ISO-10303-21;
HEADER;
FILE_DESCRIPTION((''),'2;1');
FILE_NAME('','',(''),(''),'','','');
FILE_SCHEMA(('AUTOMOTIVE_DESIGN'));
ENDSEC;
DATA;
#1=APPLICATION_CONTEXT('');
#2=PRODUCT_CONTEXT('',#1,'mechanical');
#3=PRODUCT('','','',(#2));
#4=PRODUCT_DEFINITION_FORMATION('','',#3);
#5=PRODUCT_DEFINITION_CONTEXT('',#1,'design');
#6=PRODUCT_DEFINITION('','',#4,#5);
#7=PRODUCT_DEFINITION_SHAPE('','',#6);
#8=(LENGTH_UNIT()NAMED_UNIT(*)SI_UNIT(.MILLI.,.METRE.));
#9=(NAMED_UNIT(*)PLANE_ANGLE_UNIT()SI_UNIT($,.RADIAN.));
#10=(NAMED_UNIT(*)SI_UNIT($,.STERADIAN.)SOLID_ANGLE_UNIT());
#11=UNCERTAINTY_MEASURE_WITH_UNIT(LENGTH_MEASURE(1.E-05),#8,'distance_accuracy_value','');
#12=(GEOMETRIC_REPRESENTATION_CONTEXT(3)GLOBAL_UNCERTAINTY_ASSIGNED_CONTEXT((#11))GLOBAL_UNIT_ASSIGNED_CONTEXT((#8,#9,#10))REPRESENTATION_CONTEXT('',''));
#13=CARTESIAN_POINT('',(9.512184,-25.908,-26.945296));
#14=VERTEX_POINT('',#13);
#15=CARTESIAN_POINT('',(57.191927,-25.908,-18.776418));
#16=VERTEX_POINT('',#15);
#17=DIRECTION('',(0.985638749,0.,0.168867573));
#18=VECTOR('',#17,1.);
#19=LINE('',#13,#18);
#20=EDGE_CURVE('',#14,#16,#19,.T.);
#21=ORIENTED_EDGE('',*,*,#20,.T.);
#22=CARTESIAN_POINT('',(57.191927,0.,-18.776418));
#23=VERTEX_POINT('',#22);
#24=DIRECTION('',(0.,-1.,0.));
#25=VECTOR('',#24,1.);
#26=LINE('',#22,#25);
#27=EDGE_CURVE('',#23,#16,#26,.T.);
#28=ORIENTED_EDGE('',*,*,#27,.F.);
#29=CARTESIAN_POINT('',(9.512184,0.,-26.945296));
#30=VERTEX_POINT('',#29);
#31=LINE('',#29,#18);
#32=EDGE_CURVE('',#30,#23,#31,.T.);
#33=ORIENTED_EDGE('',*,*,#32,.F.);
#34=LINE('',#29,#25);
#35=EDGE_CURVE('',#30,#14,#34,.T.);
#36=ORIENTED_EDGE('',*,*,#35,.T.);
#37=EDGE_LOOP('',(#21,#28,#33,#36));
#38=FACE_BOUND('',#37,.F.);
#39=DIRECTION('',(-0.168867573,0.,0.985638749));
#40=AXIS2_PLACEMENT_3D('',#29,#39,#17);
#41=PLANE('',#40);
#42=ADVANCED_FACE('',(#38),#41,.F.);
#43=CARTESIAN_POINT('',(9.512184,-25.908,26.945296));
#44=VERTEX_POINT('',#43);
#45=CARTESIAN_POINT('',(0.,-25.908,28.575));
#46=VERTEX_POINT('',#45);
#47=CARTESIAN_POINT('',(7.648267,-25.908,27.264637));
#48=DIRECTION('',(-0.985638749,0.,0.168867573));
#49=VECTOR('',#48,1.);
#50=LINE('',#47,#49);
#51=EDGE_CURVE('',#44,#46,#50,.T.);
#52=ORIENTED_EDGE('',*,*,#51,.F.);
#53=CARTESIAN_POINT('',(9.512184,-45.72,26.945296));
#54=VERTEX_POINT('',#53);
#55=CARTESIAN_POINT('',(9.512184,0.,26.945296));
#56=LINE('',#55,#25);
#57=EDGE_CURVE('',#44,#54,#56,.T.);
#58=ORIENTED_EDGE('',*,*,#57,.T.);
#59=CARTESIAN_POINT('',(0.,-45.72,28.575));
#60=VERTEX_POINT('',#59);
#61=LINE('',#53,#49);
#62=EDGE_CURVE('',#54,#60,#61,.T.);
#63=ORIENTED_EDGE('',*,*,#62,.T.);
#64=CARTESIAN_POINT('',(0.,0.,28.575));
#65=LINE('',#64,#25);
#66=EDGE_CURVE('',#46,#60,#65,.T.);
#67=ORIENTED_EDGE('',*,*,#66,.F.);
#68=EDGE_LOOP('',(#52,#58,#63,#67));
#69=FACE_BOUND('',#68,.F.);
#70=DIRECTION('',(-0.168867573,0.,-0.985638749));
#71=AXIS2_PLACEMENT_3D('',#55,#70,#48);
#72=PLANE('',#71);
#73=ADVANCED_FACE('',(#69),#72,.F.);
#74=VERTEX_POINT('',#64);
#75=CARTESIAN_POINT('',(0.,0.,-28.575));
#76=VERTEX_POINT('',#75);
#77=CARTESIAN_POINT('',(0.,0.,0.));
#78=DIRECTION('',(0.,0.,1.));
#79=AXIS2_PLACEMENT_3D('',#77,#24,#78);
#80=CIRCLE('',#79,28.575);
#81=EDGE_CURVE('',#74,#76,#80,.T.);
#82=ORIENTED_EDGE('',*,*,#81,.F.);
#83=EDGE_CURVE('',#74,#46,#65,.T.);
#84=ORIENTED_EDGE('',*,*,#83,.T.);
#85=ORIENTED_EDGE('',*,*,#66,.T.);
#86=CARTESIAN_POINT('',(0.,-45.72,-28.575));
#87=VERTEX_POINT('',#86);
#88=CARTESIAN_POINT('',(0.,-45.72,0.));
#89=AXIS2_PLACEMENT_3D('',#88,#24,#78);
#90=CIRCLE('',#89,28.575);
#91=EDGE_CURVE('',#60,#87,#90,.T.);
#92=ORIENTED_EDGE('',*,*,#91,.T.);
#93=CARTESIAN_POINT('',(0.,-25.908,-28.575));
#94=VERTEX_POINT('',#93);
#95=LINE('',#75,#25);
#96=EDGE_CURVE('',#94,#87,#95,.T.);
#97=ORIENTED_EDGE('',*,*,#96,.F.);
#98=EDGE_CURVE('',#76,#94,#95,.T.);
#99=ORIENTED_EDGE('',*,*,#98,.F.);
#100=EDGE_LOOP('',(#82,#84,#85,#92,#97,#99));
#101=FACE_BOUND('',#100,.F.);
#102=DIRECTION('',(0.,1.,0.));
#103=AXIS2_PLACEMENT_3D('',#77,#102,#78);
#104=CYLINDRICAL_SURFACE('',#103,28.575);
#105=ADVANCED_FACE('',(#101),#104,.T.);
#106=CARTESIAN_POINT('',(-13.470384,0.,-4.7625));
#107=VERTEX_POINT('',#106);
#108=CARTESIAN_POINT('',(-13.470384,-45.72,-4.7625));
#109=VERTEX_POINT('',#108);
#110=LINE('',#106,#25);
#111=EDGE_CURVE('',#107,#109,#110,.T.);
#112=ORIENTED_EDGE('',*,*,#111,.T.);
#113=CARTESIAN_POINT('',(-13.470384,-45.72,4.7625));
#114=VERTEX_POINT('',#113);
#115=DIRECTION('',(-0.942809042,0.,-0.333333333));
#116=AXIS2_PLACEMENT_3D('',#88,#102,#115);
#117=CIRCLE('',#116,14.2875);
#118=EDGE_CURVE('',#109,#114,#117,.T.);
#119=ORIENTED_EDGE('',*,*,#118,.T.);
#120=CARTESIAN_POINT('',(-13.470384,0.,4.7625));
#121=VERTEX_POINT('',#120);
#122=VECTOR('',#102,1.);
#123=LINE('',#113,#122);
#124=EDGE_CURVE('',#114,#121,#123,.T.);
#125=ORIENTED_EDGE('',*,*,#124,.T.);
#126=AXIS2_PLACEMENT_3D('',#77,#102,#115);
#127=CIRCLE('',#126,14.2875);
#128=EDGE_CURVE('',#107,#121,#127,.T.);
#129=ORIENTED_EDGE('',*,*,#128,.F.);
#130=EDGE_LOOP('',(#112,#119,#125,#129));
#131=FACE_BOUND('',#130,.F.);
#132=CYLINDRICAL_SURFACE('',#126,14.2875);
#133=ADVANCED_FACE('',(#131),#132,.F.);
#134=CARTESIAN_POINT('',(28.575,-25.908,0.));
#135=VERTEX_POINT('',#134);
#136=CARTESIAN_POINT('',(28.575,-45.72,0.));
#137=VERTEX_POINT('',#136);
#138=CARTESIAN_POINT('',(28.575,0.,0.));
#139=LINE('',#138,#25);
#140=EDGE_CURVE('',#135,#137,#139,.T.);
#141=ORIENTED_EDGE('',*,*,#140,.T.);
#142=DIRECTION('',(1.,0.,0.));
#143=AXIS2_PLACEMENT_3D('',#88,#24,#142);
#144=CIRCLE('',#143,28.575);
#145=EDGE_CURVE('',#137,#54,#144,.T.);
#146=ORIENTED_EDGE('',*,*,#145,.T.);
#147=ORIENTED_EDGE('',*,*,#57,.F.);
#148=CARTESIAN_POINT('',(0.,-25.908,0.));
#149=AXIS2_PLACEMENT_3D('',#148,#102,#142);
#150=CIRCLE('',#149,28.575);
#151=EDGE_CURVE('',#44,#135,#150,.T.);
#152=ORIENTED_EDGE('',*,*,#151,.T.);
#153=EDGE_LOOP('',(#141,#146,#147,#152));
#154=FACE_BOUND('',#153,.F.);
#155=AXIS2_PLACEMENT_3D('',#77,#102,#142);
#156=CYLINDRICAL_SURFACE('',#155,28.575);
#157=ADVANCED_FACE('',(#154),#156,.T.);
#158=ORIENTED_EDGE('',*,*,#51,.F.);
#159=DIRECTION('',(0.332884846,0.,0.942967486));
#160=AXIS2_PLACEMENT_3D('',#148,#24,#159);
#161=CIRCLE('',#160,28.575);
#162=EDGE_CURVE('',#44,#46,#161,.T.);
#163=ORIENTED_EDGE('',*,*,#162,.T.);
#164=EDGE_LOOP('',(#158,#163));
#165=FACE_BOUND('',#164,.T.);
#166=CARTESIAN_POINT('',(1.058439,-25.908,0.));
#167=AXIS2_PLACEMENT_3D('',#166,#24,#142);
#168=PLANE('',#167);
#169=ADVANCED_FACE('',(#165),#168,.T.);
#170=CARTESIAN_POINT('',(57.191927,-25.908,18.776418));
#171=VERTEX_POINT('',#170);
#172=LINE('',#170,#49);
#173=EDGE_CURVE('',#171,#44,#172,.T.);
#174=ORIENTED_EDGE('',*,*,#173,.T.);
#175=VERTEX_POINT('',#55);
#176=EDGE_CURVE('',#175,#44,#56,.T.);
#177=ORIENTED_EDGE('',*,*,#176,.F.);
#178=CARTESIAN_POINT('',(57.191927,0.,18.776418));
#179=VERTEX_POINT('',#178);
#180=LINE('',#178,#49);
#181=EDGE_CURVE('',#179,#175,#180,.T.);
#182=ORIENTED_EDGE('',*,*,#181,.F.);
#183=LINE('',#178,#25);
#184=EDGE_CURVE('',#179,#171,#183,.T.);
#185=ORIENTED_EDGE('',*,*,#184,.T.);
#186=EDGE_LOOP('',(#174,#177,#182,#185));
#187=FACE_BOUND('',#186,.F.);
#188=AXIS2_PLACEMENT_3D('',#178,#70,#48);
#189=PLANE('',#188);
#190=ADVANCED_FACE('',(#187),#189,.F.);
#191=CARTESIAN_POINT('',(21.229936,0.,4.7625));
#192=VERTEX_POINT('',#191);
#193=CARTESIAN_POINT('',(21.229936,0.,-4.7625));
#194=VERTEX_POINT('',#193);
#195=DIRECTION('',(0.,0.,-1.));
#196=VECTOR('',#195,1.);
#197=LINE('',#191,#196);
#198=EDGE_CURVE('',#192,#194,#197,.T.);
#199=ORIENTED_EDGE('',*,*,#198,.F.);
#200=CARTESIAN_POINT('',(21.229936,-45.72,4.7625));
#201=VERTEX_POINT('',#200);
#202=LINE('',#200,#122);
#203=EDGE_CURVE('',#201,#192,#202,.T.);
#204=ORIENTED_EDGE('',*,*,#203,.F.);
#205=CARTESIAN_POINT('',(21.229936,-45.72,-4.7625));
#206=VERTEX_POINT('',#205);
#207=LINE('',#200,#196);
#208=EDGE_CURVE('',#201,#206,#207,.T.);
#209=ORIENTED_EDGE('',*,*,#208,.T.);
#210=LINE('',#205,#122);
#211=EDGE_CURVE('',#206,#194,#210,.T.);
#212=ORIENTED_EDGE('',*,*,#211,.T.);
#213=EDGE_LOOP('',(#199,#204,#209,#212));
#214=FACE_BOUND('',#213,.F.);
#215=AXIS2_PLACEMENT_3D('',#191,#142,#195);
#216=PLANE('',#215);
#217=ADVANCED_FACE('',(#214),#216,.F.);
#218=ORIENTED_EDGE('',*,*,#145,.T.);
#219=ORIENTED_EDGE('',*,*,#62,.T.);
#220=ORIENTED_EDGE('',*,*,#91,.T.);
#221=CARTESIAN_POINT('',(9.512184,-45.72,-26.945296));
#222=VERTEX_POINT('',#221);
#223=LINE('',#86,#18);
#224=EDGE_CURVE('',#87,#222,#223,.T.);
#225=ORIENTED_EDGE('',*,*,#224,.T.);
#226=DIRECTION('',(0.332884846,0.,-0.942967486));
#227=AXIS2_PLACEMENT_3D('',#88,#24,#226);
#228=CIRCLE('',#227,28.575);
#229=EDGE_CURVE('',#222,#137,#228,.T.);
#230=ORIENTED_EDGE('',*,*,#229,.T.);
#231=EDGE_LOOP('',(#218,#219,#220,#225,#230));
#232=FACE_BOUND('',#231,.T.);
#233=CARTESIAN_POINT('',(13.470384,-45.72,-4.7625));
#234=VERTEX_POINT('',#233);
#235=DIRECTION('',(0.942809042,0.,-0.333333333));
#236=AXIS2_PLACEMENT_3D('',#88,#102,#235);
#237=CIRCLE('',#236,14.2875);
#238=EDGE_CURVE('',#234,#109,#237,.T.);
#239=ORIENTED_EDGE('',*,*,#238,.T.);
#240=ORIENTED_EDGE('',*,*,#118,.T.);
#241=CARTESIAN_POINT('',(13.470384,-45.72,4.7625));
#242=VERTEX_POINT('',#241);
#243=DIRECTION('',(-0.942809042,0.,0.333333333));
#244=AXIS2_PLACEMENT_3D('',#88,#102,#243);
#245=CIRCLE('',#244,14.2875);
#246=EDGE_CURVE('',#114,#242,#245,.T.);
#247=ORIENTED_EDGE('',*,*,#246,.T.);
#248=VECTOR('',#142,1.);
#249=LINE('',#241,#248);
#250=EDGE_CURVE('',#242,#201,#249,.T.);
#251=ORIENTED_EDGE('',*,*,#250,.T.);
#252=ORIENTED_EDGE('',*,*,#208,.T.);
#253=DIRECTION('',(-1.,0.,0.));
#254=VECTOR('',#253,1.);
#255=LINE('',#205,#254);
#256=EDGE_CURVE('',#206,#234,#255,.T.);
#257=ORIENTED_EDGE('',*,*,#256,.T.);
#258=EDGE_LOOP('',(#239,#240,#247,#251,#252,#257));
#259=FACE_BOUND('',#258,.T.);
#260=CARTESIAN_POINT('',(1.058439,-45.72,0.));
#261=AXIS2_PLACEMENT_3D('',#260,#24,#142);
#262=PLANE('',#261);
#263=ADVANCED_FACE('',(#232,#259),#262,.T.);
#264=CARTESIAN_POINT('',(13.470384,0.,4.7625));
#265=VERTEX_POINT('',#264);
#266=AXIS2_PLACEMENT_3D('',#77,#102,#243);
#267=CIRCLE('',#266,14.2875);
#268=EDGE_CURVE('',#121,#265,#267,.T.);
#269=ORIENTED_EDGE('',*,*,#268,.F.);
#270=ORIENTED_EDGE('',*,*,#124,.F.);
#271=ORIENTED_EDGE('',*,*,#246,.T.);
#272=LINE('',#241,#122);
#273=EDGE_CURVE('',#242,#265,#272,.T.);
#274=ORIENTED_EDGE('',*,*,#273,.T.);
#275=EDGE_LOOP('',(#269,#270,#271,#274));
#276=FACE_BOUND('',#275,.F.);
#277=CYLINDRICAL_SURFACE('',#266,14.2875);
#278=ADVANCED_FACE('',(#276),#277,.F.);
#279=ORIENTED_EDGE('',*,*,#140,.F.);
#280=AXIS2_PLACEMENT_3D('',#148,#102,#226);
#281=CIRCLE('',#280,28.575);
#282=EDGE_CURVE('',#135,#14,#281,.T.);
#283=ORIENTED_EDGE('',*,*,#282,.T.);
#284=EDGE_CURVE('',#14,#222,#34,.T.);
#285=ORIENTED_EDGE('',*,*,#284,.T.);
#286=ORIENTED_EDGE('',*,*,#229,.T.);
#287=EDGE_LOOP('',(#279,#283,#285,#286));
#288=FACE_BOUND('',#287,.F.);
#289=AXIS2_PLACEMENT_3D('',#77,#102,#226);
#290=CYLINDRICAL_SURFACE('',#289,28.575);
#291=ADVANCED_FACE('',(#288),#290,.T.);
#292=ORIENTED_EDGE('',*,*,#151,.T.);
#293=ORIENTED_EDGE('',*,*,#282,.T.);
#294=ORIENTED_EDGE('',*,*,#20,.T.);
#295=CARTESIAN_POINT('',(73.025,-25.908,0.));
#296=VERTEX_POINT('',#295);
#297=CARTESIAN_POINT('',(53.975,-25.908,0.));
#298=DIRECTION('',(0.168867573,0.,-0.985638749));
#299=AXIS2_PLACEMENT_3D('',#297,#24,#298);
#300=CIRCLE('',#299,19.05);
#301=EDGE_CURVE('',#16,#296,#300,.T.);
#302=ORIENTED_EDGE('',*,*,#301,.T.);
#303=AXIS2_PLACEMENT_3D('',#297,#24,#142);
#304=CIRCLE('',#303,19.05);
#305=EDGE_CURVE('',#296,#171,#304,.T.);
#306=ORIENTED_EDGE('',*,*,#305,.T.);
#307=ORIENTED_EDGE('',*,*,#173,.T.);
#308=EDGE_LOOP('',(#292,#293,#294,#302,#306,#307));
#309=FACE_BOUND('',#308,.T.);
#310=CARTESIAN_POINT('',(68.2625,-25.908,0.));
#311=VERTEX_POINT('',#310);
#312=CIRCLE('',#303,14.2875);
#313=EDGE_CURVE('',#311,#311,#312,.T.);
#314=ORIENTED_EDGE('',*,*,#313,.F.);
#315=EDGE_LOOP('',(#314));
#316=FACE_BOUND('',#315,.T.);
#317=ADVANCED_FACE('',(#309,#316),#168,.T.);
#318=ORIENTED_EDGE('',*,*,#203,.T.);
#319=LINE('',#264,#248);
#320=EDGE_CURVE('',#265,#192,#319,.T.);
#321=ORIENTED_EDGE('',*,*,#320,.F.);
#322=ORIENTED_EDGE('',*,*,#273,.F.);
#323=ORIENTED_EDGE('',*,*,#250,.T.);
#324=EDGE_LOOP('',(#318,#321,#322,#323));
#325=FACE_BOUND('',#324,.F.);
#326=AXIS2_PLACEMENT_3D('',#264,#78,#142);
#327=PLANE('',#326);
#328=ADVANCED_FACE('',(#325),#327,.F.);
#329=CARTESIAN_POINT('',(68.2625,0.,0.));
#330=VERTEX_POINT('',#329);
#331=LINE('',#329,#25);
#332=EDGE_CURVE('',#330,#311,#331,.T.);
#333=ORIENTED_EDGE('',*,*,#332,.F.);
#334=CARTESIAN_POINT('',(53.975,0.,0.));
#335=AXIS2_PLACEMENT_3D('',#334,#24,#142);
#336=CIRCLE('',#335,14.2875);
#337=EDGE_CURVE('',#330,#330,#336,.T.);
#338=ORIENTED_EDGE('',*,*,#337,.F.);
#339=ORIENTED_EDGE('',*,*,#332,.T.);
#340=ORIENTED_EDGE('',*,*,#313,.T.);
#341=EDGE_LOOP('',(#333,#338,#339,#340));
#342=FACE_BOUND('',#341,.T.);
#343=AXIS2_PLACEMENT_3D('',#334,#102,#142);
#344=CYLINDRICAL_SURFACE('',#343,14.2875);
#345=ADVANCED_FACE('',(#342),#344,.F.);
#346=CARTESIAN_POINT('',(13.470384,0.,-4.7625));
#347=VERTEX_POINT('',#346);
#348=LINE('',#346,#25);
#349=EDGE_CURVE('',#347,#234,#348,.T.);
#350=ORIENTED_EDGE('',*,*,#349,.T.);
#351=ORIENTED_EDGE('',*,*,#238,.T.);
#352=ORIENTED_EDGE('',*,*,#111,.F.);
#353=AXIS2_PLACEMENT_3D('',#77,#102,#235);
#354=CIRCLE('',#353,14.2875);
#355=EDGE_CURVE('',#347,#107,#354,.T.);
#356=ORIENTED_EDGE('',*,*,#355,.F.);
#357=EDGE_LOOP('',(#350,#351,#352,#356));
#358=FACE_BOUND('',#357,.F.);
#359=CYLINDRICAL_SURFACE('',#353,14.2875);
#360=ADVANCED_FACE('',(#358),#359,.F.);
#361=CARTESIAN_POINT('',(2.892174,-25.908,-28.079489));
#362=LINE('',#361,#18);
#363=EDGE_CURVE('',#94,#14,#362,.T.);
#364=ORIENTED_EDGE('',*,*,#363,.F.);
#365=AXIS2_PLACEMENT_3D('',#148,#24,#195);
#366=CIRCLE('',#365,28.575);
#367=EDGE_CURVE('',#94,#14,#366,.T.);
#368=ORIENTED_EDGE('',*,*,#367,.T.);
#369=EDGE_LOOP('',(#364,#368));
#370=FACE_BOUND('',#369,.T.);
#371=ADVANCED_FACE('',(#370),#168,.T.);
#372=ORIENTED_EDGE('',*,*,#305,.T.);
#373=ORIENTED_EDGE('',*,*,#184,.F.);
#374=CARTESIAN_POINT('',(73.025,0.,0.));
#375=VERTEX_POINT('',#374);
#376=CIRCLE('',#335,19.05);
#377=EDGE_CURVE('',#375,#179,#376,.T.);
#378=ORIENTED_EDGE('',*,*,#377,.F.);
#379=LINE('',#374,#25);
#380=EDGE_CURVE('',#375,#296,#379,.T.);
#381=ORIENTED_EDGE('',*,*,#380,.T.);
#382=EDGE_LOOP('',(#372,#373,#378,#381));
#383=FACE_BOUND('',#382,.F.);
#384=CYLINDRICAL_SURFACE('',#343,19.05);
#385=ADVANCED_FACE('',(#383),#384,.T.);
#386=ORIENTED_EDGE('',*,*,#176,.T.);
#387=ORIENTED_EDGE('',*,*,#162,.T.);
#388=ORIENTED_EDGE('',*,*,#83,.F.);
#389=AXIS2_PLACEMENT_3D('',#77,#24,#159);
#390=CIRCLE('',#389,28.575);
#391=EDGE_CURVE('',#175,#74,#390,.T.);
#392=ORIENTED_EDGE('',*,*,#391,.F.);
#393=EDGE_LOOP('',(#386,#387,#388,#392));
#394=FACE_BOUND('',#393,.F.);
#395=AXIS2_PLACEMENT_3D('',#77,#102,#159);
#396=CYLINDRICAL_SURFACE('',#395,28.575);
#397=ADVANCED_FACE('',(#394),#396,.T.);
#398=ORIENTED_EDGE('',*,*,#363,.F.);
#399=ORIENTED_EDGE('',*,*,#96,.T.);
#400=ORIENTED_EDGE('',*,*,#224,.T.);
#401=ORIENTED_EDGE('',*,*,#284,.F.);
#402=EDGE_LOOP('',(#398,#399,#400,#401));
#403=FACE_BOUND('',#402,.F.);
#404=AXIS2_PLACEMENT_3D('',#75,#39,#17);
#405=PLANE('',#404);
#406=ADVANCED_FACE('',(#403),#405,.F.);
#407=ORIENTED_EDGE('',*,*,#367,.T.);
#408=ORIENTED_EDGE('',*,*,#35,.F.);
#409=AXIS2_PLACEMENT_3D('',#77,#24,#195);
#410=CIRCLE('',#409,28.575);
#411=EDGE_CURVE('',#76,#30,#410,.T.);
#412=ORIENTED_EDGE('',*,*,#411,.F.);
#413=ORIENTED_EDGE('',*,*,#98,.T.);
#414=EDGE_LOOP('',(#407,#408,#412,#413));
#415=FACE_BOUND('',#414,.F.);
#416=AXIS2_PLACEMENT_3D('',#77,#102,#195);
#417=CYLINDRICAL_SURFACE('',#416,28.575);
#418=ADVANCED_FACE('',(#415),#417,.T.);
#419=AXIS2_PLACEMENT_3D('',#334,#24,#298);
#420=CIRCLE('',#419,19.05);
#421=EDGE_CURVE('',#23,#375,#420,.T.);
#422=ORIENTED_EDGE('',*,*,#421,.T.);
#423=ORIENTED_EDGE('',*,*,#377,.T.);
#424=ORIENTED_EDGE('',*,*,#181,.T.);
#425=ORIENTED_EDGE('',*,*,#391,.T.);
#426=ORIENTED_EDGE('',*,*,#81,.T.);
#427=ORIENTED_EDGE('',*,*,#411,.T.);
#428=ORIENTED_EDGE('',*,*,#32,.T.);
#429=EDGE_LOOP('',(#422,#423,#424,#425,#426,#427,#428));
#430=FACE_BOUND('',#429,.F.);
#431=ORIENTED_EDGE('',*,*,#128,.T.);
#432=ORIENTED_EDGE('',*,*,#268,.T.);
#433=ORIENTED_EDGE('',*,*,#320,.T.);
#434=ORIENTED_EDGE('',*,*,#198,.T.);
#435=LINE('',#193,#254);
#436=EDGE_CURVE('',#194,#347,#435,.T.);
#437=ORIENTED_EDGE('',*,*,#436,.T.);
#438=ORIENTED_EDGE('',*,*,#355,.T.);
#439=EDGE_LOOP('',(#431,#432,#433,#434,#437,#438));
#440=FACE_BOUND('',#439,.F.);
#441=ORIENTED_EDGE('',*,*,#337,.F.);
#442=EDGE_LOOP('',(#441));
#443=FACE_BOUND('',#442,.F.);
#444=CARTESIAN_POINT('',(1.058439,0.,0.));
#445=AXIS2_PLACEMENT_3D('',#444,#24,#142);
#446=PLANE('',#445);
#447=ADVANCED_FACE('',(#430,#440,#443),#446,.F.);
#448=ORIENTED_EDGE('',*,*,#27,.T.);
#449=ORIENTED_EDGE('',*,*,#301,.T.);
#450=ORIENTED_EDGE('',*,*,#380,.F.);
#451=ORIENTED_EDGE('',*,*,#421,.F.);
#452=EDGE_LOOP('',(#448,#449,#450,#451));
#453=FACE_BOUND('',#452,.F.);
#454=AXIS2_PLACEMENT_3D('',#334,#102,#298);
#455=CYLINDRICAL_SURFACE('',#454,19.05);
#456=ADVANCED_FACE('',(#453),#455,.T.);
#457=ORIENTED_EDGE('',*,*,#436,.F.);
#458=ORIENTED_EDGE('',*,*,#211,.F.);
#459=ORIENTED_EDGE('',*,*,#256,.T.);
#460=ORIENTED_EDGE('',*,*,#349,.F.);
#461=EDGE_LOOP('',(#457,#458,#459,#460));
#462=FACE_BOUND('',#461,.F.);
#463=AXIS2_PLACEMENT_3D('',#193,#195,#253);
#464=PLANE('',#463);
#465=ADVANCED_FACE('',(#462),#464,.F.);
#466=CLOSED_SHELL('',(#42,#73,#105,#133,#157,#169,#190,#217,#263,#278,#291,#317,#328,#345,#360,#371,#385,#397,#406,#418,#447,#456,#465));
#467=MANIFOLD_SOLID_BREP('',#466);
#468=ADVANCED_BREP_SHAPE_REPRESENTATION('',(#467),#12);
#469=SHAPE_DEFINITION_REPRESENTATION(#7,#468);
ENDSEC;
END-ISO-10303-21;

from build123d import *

# Parameters (mm, degrees)
F1_DEPTH = 45.72
F0_R     = 14.2875
F2_DEPTH = 25.908


with BuildPart() as f1:
    # F0 (on Front) → F1 (new body)
    with BuildSketch(Plane.XZ):
        with BuildLine():
            Line((9.5121844836, 26.9452959039), (0, 28.575))
            ThreePointArc((0, 28.575), (-28.575, 0), (0, -28.575))
            Line((0, -28.575), (9.5121844836, -26.9452959039))
            ThreePointArc((9.5121844836, -26.9452959039), (23.3274655355, -16.5033322905), (28.575, 0))
            ThreePointArc((28.575, 0), (23.3274655355, 16.5033322905), (9.5121844836, 26.9452959039))
        make_face()
        with BuildLine():
            ThreePointArc((-13.4703841816, 4.7625), (0, 14.2875), (13.4703841816, 4.7625))
            Line((13.4703841816, 4.7625), (21.229936273, 4.7625))
            Line((21.229936273, 4.7625), (21.229936273, -4.7625))
            Line((21.229936273, -4.7625), (13.4703841816, -4.7625))
            ThreePointArc((13.4703841816, -4.7625), (0, -14.2875), (-13.4703841816, -4.7625))
            Line((-13.4703841816, -4.7625), (-16.870063727, -4.7625))
            Line((-16.870063727, -4.7625), (-16.870063727, 4.7625))
            Line((-16.870063727, 4.7625), (-13.4703841816, 4.7625))
        make_face(mode=Mode.SUBTRACT)
        with BuildLine():
            ThreePointArc((-13.4703841816, -4.7625), (-14.2875, 0), (-13.4703841816, 4.7625))
            Line((-13.4703841816, 4.7625), (-16.870063727, 4.7625))
            Line((-16.870063727, 4.7625), (-16.870063727, -4.7625))
            Line((-16.870063727, -4.7625), (-13.4703841816, -4.7625))
        make_face()
    extrude(amount=F1_DEPTH)

    # F0 (on Front) → F2 (join)
    with BuildSketch(Plane.XZ):
        with BuildLine():
            Line((9.5121844836, 26.9452959039), (0, 28.575))
            ThreePointArc((0, 28.575), (-28.575, 0), (0, -28.575))
            Line((0, -28.575), (9.5121844836, -26.9452959039))
            ThreePointArc((9.5121844836, -26.9452959039), (23.3274655355, -16.5033322905), (28.575, 0))
            ThreePointArc((28.575, 0), (23.3274655355, 16.5033322905), (9.5121844836, 26.9452959039))
        make_face()
        with BuildLine():
            ThreePointArc((-13.4703841816, 4.7625), (0, 14.2875), (13.4703841816, 4.7625))
            Line((13.4703841816, 4.7625), (21.229936273, 4.7625))
            Line((21.229936273, 4.7625), (21.229936273, -4.7625))
            Line((21.229936273, -4.7625), (13.4703841816, -4.7625))
            ThreePointArc((13.4703841816, -4.7625), (0, -14.2875), (-13.4703841816, -4.7625))
            Line((-13.4703841816, -4.7625), (-16.870063727, -4.7625))
            Line((-16.870063727, -4.7625), (-16.870063727, 4.7625))
            Line((-16.870063727, 4.7625), (-13.4703841816, 4.7625))
        make_face(mode=Mode.SUBTRACT)
        with BuildLine():
            ThreePointArc((9.5121844836, 26.9452959039), (4.8253908933, 28.1646272428), (0, 28.575))
            Line((0, 28.575), (9.5121844836, 26.9452959039))
        make_face()
        with BuildLine():
            Line((9.5121844836, -26.9452959039), (0, -28.575))
            ThreePointArc((0, -28.575), (4.8253908933, -28.1646272428), (9.5121844836, -26.9452959039))
        make_face()
        with BuildLine():
            Line((57.1919272622, 18.7764181619), (9.5121844836, 26.9452959039))
            ThreePointArc((9.5121844836, 26.9452959039), (23.3274655355, 16.5033322905), (28.575, 0))
            ThreePointArc((28.575, 0), (23.3274655355, -16.5033322905), (9.5121844836, -26.9452959039))
            Line((9.5121844836, -26.9452959039), (57.1919272622, -18.7764181619))
            ThreePointArc((57.1919272622, -18.7764181619), (34.925, 0), (57.1919272622, 18.7764181619))
        make_face()
        with BuildLine():
            ThreePointArc((73.025, 0), (68.5383952831, 12.2804730295), (57.1919272622, 18.7764181619))
            ThreePointArc((57.1919272622, 18.7764181619), (34.925, 0), (57.1919272622, -18.7764181619))
            ThreePointArc((57.1919272622, -18.7764181619), (68.5383952831, -12.2804730295), (73.025, 0))
        make_face()
        with Locations((53.975, 0)):
            Circle(F0_R, mode=Mode.SUBTRACT)
    extrude(amount=F2_DEPTH)


solid = f1.part
